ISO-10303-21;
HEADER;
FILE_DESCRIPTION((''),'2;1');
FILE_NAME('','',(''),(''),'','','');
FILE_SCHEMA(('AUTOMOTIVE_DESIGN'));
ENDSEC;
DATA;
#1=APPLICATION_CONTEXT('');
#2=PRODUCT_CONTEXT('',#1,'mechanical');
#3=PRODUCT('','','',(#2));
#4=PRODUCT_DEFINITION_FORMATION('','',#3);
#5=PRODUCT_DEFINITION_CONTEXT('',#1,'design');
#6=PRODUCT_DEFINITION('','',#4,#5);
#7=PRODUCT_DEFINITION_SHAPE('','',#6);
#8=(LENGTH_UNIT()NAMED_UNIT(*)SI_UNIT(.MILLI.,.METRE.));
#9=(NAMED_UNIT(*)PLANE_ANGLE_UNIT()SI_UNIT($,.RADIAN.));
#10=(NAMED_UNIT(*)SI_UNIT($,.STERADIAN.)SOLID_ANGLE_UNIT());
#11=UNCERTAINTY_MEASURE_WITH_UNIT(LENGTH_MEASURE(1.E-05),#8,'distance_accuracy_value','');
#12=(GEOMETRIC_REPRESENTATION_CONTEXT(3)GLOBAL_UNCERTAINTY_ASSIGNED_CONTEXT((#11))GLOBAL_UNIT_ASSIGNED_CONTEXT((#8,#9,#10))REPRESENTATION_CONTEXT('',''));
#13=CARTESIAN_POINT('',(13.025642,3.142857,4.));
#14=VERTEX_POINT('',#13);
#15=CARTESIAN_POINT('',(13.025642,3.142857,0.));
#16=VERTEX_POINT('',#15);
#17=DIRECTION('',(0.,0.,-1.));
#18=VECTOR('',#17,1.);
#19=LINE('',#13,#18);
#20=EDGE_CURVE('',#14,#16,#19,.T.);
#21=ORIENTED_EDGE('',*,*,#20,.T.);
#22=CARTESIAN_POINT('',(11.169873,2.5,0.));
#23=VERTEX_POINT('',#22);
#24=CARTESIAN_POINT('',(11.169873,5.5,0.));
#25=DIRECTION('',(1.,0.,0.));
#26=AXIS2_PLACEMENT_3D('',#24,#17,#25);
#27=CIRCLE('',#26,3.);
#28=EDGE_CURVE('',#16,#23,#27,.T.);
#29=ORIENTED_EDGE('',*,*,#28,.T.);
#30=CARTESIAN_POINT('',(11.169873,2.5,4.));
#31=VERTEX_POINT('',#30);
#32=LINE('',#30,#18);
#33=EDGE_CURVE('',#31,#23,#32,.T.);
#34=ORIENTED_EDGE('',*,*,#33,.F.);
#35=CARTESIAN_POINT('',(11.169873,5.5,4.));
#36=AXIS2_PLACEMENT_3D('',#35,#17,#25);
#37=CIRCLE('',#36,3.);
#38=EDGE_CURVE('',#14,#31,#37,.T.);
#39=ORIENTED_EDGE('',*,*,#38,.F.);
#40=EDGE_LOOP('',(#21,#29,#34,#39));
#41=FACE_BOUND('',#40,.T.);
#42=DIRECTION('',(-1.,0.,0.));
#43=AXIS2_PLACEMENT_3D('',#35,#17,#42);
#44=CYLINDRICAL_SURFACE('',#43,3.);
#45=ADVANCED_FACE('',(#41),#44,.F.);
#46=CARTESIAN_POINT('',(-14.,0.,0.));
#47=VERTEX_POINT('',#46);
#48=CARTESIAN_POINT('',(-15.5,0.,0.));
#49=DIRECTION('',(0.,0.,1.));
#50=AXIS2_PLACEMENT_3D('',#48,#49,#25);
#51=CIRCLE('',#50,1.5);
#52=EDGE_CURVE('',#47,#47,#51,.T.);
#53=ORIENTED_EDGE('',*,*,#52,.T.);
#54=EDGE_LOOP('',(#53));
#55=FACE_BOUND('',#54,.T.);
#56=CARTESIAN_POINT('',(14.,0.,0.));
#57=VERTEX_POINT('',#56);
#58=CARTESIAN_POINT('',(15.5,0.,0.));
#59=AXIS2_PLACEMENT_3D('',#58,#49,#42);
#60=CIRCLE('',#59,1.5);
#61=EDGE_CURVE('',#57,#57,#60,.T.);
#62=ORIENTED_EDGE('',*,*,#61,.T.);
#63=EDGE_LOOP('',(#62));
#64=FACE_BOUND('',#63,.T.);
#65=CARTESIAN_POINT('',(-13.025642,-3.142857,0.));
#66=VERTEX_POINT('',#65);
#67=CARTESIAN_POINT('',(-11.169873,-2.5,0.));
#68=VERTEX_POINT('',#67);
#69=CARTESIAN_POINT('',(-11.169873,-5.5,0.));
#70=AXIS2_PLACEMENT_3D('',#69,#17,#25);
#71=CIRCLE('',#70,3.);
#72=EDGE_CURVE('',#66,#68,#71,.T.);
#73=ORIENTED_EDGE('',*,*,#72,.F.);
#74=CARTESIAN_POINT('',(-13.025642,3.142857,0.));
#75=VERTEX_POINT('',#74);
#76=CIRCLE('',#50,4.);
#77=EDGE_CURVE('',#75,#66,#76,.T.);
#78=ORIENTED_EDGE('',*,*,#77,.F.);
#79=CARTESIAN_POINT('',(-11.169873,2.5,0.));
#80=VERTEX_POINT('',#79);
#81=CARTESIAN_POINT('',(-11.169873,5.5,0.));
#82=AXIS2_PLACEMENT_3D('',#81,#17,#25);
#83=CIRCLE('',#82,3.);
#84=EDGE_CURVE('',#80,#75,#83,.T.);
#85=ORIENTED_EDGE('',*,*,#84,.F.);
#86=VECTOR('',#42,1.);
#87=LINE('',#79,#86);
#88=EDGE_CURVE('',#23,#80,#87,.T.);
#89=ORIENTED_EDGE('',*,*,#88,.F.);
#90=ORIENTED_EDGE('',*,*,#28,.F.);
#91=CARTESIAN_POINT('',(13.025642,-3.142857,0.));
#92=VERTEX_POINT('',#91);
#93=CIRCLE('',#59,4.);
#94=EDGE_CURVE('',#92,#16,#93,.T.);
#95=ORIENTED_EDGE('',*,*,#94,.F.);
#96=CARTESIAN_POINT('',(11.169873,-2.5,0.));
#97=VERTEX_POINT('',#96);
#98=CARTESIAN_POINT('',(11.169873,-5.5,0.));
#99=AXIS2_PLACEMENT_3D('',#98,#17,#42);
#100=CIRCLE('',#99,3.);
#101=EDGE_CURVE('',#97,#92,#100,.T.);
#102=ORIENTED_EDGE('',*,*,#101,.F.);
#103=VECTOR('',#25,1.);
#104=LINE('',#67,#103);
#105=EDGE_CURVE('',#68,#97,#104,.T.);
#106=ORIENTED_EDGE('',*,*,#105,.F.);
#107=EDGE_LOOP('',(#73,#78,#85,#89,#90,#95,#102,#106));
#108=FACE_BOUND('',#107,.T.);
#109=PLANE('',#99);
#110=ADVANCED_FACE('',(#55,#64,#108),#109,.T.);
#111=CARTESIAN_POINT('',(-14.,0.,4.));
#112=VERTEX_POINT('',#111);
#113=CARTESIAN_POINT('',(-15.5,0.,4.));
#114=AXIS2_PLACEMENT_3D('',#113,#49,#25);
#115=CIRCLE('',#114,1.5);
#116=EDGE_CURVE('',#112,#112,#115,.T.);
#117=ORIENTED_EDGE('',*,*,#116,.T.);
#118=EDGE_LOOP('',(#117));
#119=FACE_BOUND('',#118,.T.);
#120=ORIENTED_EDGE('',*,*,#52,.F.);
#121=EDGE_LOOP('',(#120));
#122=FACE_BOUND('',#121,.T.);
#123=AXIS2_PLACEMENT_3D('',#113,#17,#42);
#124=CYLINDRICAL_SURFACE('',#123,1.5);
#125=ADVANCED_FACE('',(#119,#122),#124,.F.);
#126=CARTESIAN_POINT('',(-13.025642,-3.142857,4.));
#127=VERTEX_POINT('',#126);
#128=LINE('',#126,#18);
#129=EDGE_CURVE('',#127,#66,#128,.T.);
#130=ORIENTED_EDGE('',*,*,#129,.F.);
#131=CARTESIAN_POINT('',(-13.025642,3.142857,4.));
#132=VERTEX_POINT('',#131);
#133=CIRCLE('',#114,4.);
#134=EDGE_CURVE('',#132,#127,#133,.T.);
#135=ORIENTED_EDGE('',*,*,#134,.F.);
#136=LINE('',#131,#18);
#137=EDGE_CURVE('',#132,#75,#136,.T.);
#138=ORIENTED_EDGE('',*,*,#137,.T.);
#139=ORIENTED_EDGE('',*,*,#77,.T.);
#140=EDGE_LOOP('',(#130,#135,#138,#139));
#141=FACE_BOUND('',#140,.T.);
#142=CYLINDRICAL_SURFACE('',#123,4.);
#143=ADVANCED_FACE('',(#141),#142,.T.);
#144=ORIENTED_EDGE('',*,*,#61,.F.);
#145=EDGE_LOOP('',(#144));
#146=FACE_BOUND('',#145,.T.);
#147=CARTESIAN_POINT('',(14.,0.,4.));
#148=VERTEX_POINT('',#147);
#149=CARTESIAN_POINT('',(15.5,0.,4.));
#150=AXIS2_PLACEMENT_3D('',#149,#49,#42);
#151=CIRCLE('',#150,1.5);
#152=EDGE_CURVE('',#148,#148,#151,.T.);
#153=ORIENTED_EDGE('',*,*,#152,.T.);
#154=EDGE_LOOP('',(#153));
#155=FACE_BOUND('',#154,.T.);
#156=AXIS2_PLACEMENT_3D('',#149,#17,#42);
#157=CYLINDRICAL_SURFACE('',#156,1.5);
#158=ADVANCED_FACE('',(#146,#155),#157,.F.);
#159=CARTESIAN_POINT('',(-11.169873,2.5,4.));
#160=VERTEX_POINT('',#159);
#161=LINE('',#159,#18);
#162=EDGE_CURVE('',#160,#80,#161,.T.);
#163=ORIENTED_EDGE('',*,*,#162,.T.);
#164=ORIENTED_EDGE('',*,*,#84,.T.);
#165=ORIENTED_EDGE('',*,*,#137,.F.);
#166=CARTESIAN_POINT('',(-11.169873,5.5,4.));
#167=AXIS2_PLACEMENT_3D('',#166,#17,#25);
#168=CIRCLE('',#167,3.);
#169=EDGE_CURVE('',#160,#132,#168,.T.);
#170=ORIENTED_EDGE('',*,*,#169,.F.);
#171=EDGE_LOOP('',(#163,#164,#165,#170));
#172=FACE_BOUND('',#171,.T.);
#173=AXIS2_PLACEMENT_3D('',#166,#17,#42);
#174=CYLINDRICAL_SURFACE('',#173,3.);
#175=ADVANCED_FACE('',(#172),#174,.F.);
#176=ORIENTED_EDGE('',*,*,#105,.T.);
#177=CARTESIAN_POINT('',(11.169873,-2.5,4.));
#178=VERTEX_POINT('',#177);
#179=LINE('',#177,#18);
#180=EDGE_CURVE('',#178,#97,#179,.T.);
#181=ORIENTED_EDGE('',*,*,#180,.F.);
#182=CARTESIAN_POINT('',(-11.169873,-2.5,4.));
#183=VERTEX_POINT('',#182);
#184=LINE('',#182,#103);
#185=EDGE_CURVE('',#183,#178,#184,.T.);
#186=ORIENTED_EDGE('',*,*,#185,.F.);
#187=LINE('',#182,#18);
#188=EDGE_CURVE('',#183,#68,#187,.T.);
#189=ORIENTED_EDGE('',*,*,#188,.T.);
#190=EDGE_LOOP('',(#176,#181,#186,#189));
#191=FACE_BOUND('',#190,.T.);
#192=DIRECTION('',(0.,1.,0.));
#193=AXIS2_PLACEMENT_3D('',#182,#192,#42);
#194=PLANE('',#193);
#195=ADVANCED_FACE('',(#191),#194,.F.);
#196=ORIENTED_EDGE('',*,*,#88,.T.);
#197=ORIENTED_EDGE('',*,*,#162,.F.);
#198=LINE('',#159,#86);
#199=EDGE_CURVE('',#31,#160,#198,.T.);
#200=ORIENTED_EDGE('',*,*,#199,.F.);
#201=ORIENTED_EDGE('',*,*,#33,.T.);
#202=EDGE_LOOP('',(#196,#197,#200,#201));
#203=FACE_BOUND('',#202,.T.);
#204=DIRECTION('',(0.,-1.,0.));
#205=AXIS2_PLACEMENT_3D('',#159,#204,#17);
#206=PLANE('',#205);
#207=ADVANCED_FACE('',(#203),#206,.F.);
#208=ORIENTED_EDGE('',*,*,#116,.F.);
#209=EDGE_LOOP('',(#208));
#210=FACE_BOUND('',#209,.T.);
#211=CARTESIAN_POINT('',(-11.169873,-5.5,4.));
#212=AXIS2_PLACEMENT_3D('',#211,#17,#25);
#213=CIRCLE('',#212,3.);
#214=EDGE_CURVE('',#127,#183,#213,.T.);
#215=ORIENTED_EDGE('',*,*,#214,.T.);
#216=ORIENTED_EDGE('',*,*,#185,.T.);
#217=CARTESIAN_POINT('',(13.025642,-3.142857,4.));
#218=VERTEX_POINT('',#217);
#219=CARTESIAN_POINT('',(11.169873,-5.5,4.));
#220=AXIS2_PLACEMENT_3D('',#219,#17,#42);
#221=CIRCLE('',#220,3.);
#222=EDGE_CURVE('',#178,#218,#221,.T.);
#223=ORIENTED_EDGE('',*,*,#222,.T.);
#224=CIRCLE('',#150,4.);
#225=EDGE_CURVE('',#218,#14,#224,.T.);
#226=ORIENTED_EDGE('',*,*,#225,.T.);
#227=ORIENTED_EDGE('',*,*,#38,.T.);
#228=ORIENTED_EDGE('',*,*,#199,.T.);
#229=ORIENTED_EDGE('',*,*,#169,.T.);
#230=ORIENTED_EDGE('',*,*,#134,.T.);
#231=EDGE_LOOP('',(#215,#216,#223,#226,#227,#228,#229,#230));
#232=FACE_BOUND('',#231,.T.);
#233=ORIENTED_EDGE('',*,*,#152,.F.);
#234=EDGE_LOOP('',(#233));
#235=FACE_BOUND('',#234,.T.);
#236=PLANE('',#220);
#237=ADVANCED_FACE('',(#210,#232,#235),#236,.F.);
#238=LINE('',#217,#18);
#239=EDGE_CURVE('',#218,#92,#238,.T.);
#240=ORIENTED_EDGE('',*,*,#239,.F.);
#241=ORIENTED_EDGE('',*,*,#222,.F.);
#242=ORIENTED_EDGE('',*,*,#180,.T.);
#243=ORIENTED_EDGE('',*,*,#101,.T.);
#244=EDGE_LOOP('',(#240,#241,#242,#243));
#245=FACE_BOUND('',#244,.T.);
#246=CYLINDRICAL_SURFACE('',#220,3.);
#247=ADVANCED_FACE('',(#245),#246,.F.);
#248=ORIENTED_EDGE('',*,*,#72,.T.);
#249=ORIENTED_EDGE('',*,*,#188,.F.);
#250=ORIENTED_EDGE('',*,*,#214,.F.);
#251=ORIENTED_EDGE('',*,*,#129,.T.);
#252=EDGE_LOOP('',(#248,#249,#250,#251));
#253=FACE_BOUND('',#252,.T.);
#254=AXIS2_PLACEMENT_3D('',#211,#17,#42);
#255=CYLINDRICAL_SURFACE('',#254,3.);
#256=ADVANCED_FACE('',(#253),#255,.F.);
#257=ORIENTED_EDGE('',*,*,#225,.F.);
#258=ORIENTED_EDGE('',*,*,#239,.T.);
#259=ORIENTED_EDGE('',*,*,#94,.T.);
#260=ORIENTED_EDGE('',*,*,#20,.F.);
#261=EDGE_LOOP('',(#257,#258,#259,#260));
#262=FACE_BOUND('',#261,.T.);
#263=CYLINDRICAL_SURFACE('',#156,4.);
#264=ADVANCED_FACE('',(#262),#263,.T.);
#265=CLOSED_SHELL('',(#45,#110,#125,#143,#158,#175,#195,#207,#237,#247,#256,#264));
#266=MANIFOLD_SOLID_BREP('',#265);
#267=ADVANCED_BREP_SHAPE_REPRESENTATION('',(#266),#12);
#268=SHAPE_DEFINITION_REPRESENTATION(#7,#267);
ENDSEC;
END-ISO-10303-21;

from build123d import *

# Parameters (mm, degrees)
SKETCH1_R           = 1.5
BOSS_EXTRUDE1_DEPTH = 4


with BuildPart() as part:
    # Sketch1 → Boss-Extrude1 (new body)
    with BuildSketch(Plane.XY):
        with BuildLine():
            Line((-11.169872981, -2.5), (11.169872981, -2.5))
            ThreePointArc((11.169872981, -2.5), (12.151853487, -2.665266452), (13.025641703, -3.142857143))
            ThreePointArc((13.025641703, -3.142857143), (19.5, 0), (13.025641703, 3.142857143))
            ThreePointArc((13.025641703, 3.142857143), (12.151853487, 2.665266452), (11.169872981, 2.5))
            Line((11.169872981, 2.5), (-11.169872981, 2.5))
            ThreePointArc((-11.169872981, 2.5), (-12.151853487, 2.665266452), (-13.025641703, 3.142857143))
            ThreePointArc((-13.025641703, 3.142857143), (-19.5, 0), (-13.025641703, -3.142857143))
            ThreePointArc((-13.025641703, -3.142857143), (-12.151853487, -2.665266452), (-11.169872981, -2.5))
        make_face()
        with Locations((-15.5, 0)):
            Circle(SKETCH1_R, mode=Mode.SUBTRACT)
        with Locations(Location((15.5, 0, 0), (0, 0, 180))):
            Circle(SKETCH1_R, mode=Mode.SUBTRACT)
    extrude(amount=BOSS_EXTRUDE1_DEPTH)


solid = part.part
